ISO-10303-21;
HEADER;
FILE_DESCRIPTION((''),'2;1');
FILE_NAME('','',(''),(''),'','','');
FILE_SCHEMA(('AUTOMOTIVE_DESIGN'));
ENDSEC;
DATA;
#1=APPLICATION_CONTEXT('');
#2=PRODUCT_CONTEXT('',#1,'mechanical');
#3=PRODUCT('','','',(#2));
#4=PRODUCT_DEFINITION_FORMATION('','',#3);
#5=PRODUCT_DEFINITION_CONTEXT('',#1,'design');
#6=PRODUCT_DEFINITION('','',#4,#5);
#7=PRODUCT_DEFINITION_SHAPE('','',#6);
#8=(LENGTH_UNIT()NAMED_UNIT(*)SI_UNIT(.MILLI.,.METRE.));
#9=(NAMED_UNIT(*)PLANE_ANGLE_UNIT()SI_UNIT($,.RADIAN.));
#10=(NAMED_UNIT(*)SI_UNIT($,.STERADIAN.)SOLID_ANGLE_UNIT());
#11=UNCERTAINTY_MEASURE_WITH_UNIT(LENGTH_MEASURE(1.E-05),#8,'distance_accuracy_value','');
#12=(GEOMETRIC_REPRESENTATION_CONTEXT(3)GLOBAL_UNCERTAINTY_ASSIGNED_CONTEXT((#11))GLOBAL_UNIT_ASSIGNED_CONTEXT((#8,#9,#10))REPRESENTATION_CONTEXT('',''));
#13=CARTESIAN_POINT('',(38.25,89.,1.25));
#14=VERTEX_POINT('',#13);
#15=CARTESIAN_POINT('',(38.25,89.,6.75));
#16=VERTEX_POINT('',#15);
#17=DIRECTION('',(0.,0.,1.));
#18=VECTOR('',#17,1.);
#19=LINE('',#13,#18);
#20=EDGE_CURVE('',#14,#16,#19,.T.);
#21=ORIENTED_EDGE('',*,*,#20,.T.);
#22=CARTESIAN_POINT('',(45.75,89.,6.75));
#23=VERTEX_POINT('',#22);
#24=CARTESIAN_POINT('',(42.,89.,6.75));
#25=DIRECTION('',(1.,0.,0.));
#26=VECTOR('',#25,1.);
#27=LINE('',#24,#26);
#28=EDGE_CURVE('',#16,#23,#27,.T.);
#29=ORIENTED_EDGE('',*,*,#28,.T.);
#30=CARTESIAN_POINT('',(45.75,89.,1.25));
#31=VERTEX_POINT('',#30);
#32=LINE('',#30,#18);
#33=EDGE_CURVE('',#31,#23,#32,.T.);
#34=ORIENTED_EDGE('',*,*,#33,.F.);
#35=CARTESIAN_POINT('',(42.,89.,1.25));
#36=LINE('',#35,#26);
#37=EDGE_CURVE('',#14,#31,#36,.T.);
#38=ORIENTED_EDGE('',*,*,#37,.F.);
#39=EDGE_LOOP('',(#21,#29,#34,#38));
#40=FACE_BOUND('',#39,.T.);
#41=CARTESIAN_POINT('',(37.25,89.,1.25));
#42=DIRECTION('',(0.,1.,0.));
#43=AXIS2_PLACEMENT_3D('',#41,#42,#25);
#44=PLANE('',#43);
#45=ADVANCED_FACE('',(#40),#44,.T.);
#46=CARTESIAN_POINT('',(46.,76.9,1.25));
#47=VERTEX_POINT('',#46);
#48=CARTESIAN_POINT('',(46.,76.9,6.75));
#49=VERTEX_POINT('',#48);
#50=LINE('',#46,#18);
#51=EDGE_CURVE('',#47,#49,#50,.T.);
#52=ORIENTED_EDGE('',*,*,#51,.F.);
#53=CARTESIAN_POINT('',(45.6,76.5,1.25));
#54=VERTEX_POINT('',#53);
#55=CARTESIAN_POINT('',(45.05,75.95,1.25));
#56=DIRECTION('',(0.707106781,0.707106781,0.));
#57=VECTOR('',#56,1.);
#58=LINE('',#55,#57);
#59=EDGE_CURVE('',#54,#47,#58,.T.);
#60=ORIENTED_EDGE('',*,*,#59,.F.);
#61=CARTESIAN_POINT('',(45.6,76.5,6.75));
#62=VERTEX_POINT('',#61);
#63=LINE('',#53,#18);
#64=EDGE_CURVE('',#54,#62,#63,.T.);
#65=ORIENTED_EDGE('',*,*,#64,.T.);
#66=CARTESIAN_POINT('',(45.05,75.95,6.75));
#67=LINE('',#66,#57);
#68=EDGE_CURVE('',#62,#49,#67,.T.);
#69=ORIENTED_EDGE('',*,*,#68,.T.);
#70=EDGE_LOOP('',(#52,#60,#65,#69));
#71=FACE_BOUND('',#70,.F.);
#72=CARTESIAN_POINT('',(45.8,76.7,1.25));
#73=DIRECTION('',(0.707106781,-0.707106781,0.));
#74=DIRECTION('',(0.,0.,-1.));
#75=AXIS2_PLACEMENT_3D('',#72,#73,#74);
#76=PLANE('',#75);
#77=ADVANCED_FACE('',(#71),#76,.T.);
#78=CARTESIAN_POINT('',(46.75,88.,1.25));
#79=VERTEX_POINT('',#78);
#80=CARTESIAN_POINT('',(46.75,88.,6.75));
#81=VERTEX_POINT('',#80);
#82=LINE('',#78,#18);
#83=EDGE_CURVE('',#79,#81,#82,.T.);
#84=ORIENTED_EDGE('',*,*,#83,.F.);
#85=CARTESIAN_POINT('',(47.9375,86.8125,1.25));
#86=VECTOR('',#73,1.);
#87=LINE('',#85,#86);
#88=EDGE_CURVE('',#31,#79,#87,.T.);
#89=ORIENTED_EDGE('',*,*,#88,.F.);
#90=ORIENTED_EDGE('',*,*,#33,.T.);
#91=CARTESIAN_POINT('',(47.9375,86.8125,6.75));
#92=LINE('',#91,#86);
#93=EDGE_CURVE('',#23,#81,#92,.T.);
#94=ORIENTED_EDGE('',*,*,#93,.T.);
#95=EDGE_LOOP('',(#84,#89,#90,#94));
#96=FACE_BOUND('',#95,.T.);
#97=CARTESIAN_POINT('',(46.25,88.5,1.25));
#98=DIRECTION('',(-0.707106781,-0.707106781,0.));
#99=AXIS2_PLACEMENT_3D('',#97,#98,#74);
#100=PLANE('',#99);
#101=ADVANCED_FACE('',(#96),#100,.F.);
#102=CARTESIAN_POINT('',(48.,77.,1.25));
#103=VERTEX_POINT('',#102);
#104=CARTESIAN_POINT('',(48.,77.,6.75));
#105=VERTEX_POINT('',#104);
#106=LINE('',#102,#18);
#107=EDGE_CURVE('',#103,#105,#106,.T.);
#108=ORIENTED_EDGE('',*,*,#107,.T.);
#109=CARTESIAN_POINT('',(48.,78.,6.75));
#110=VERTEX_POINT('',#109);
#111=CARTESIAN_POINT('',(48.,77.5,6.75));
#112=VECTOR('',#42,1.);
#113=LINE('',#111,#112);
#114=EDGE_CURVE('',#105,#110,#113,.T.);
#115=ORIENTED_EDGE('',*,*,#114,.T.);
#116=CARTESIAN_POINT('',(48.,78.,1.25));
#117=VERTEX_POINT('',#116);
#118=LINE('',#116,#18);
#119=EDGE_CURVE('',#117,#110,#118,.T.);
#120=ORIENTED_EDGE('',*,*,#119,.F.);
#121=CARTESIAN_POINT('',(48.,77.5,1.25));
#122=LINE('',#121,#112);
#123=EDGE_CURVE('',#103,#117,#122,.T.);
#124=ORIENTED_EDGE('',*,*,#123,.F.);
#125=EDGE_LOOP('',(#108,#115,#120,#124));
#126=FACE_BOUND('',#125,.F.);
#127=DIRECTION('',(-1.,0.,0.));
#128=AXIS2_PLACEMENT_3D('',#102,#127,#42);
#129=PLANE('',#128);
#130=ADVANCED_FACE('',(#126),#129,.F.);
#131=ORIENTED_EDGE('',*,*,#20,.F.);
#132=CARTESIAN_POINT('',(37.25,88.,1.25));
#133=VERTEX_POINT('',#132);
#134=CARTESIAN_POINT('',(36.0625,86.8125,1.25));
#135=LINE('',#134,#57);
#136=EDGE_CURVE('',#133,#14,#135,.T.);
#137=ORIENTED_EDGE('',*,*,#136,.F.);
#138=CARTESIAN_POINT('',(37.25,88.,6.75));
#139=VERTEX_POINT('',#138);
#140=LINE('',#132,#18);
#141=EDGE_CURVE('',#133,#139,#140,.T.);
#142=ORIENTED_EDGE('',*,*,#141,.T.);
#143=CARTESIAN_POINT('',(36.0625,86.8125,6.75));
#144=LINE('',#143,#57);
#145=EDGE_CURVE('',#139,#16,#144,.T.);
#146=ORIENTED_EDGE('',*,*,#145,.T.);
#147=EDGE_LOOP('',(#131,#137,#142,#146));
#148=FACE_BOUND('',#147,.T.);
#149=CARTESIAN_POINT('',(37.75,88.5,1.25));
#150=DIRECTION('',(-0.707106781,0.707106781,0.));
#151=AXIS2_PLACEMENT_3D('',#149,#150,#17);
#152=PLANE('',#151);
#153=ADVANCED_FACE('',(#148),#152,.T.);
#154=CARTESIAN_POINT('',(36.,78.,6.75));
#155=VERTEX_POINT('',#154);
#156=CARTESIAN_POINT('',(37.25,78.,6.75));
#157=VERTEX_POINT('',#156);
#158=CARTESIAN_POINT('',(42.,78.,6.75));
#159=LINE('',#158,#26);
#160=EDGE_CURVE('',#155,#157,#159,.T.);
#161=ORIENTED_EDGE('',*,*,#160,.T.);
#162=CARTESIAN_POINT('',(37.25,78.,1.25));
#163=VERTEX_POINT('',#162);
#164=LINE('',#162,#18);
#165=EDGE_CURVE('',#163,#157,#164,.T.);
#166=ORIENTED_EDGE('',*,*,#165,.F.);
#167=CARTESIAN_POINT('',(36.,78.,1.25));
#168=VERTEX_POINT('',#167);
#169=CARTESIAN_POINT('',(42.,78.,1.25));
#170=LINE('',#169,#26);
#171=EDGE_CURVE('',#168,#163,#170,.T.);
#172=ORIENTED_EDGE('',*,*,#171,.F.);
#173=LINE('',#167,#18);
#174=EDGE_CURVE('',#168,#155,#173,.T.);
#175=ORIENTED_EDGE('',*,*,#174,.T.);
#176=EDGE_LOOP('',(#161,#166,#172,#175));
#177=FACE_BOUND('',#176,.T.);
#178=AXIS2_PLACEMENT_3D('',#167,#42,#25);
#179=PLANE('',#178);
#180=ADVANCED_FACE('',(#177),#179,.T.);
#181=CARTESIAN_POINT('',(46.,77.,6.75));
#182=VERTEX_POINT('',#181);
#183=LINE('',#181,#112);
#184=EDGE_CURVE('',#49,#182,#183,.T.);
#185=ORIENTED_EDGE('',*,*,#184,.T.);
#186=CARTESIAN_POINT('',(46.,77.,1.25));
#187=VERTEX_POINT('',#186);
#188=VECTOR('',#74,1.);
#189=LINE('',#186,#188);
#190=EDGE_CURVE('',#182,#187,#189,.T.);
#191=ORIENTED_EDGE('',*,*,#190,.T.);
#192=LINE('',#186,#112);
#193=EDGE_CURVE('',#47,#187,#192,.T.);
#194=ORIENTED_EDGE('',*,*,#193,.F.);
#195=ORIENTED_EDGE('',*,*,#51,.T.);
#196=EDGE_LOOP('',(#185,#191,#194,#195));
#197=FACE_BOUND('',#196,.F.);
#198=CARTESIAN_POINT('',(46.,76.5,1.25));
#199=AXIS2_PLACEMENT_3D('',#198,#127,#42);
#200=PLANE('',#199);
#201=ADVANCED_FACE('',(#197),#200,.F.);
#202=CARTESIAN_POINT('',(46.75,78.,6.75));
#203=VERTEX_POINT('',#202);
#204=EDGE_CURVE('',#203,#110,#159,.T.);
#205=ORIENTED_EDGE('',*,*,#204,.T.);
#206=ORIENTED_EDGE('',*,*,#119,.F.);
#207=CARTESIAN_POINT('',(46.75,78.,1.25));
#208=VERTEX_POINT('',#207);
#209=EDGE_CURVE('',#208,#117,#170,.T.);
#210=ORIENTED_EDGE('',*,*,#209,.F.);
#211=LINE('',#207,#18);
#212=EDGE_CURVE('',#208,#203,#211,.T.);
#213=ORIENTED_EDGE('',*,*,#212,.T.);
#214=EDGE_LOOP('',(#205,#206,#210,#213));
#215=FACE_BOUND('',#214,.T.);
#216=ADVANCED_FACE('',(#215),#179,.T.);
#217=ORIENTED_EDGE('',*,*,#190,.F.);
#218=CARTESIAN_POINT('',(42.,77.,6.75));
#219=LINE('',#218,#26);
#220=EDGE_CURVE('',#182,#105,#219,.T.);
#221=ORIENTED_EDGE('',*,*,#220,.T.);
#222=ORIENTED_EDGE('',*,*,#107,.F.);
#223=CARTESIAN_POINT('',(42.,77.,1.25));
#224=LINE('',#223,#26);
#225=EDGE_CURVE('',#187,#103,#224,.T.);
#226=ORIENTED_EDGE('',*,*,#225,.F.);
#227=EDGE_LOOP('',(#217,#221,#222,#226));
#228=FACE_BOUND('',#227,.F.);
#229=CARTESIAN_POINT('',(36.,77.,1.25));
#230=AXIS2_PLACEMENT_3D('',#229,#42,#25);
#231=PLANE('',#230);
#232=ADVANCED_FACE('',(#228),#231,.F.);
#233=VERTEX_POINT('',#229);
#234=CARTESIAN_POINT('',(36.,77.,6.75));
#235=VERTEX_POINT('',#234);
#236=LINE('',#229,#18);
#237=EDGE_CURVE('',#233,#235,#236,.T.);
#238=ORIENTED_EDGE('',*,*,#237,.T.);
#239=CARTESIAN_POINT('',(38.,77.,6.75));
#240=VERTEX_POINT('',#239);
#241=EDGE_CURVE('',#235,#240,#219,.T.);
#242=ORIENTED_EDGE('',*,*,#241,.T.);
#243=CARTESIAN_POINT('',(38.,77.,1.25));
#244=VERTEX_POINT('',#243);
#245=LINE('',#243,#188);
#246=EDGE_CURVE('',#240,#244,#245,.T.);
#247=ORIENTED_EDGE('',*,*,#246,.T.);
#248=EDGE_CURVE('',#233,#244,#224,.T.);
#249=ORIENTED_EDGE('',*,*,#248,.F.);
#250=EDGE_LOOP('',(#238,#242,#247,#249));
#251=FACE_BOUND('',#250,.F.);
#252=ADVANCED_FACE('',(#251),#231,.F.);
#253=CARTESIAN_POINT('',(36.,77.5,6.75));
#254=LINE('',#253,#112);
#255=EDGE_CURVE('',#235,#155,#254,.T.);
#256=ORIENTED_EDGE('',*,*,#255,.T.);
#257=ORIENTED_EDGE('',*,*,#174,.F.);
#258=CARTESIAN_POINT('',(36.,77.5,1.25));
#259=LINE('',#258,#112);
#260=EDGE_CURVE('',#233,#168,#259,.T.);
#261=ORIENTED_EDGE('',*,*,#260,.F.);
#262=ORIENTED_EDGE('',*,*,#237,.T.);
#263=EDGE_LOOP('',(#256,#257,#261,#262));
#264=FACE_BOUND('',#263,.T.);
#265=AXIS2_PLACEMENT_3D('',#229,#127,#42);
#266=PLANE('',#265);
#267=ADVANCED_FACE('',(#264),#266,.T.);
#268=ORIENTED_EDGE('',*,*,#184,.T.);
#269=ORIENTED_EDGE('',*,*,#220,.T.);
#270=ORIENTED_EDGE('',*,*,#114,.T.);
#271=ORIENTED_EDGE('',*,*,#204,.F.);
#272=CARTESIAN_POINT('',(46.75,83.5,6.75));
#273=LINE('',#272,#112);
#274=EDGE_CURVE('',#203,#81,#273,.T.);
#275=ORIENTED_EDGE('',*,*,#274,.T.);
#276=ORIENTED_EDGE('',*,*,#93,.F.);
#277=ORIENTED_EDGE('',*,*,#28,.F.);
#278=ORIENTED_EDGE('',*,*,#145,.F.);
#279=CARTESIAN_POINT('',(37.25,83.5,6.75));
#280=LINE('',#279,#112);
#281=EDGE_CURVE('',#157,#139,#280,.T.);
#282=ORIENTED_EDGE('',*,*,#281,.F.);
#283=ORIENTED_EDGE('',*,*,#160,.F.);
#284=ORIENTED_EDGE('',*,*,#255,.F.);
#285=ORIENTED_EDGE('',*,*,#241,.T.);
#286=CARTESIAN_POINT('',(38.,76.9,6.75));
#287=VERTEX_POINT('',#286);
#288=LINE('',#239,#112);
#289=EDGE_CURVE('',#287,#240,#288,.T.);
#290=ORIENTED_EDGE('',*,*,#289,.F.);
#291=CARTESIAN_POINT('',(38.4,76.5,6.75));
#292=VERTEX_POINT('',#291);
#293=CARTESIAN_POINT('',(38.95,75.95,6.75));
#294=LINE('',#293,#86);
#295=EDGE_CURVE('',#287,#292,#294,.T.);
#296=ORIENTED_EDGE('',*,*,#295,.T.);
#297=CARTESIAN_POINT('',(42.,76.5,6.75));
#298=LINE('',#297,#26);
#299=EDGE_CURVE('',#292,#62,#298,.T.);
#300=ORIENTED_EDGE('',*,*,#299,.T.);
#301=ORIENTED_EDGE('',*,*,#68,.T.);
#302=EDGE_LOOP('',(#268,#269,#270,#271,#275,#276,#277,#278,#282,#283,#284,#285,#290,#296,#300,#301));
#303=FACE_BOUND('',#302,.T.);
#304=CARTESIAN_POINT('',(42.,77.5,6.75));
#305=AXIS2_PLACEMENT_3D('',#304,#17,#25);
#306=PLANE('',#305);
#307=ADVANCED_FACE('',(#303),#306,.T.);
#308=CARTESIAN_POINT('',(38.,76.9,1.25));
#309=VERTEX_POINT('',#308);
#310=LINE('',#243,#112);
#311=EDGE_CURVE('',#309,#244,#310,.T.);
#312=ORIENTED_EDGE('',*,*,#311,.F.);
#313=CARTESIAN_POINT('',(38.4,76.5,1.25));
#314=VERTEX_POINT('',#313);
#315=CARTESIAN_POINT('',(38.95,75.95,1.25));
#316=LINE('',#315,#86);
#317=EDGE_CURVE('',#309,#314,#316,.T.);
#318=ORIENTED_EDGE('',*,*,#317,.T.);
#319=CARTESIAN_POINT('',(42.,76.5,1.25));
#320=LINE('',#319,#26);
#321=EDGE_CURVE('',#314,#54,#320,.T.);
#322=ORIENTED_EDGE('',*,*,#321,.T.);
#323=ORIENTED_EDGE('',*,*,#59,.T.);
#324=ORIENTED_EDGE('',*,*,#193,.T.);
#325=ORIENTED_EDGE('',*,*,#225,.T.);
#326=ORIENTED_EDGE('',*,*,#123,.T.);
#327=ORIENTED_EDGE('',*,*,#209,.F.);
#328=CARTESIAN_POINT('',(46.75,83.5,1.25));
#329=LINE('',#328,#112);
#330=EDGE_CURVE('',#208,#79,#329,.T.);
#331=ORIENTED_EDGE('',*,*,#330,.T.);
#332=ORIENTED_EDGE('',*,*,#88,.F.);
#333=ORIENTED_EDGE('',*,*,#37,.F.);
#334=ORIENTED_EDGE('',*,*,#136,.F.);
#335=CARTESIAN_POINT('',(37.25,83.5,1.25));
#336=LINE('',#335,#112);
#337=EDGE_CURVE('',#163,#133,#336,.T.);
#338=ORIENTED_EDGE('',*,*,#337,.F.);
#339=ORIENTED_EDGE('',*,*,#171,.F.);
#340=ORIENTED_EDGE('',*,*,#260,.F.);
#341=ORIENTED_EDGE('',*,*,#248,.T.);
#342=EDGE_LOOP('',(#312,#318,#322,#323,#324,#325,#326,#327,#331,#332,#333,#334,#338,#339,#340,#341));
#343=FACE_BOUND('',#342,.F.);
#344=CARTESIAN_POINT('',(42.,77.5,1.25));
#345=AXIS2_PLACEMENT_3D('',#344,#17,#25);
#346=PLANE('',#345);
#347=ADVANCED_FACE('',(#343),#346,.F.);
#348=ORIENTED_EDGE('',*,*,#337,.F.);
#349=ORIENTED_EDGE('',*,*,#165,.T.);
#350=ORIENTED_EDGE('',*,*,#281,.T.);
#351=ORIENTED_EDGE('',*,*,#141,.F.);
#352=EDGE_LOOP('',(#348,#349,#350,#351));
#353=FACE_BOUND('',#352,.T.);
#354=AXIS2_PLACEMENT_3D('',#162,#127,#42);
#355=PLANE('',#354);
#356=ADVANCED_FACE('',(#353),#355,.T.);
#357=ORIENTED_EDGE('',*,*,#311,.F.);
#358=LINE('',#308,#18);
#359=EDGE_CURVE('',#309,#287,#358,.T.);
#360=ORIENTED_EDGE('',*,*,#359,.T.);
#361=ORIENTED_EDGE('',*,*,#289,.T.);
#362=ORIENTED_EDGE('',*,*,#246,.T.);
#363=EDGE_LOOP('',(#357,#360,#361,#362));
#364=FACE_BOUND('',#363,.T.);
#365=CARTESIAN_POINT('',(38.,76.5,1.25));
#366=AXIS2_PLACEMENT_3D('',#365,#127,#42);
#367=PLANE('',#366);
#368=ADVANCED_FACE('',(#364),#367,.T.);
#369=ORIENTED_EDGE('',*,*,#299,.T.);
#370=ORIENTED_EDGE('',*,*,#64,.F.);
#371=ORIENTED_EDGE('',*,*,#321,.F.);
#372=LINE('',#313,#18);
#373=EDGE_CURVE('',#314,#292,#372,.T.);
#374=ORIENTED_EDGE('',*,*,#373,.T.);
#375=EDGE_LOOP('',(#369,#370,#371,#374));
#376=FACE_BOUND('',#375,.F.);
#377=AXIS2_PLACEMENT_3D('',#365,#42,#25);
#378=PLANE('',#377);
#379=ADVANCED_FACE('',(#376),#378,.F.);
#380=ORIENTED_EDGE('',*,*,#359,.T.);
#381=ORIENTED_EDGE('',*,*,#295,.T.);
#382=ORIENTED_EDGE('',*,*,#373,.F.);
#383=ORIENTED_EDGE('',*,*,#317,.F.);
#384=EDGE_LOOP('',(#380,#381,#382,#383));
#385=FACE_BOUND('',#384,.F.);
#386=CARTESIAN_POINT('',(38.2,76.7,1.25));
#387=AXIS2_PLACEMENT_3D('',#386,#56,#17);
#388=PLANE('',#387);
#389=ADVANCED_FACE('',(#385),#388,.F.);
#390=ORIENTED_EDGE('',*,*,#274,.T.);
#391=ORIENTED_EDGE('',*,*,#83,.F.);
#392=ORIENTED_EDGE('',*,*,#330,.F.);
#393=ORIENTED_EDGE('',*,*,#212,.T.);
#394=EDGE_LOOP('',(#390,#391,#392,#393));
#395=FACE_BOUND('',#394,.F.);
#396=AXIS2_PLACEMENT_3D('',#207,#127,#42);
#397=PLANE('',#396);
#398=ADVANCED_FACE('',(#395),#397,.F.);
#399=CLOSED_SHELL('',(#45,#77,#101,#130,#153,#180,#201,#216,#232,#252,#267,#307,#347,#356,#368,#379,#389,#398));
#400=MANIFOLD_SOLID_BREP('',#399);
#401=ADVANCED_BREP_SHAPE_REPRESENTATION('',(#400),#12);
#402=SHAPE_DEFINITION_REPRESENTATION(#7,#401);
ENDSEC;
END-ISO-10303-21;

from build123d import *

# Parameters (mm, degrees)
BOX002_W        = 12
BOX002_H        = 1
BOX002_DEPTH    = 5.5
BOX003_W        = 9.5
BOX003_H        = 11
BOX003_DEPTH    = 5.5
BOX013_W        = 8
BOX013_H        = 1
BOX013_DEPTH    = 5.5
CHAMFER011_SIZE = 0.4
CHAMFER014_SIZE = 1


with BuildPart() as cube002:
    # Box002 → Box002 (new body)
    with BuildSketch(Plane(origin=(36, 75, 1.25), x_dir=(1, 0, 0), z_dir=(0, 0, 1))):
        with Locations((6, 0.5)):
            Rectangle(BOX002_W, BOX002_H)
    extrude(amount=BOX002_DEPTH)


with BuildPart() as cube003:
    # Box003 → Box003 (new body)
    with BuildSketch(Plane(origin=(37.25, 76, 1.25), x_dir=(1, 0, 0), z_dir=(0, 0, 1))):
        with Locations((4.75, 5.5)):
            Rectangle(BOX003_W, BOX003_H)
    extrude(amount=BOX003_DEPTH)


with BuildPart() as power_btn:
    # Box013 → Box013 (new body)
    with BuildSketch(Plane(origin=(38, 74.5, 1.25), x_dir=(1, 0, 0), z_dir=(0, 0, 1))):
        with Locations((4, 0.5)):
            Rectangle(BOX013_W, BOX013_H)
    extrude(amount=BOX013_DEPTH)

    # Fusion005: union Cube002, Cube003
    add(cube002.part)
    add(cube003.part)

    # Chamfer011
    chamfer011_edges = [power_btn.edges().sort_by_distance(p)[0] for p in [
        (38, 74.5, 4),
        (46, 74.5, 4),
    ]]
    chamfer(chamfer011_edges, length=CHAMFER011_SIZE)

    # Chamfer014
    chamfer014_edges = [power_btn.edges().sort_by_distance(p)[0] for p in [
        (37.25, 87, 4),
        (46.75, 87, 4),
    ]]
    chamfer(chamfer014_edges, length=CHAMFER014_SIZE)


with BuildPart() as power_btn_1:
    # Chamfer014 placement: moved
    add(power_btn.part.moved(Location((0, 2, 0))))


solid = power_btn_1.part
